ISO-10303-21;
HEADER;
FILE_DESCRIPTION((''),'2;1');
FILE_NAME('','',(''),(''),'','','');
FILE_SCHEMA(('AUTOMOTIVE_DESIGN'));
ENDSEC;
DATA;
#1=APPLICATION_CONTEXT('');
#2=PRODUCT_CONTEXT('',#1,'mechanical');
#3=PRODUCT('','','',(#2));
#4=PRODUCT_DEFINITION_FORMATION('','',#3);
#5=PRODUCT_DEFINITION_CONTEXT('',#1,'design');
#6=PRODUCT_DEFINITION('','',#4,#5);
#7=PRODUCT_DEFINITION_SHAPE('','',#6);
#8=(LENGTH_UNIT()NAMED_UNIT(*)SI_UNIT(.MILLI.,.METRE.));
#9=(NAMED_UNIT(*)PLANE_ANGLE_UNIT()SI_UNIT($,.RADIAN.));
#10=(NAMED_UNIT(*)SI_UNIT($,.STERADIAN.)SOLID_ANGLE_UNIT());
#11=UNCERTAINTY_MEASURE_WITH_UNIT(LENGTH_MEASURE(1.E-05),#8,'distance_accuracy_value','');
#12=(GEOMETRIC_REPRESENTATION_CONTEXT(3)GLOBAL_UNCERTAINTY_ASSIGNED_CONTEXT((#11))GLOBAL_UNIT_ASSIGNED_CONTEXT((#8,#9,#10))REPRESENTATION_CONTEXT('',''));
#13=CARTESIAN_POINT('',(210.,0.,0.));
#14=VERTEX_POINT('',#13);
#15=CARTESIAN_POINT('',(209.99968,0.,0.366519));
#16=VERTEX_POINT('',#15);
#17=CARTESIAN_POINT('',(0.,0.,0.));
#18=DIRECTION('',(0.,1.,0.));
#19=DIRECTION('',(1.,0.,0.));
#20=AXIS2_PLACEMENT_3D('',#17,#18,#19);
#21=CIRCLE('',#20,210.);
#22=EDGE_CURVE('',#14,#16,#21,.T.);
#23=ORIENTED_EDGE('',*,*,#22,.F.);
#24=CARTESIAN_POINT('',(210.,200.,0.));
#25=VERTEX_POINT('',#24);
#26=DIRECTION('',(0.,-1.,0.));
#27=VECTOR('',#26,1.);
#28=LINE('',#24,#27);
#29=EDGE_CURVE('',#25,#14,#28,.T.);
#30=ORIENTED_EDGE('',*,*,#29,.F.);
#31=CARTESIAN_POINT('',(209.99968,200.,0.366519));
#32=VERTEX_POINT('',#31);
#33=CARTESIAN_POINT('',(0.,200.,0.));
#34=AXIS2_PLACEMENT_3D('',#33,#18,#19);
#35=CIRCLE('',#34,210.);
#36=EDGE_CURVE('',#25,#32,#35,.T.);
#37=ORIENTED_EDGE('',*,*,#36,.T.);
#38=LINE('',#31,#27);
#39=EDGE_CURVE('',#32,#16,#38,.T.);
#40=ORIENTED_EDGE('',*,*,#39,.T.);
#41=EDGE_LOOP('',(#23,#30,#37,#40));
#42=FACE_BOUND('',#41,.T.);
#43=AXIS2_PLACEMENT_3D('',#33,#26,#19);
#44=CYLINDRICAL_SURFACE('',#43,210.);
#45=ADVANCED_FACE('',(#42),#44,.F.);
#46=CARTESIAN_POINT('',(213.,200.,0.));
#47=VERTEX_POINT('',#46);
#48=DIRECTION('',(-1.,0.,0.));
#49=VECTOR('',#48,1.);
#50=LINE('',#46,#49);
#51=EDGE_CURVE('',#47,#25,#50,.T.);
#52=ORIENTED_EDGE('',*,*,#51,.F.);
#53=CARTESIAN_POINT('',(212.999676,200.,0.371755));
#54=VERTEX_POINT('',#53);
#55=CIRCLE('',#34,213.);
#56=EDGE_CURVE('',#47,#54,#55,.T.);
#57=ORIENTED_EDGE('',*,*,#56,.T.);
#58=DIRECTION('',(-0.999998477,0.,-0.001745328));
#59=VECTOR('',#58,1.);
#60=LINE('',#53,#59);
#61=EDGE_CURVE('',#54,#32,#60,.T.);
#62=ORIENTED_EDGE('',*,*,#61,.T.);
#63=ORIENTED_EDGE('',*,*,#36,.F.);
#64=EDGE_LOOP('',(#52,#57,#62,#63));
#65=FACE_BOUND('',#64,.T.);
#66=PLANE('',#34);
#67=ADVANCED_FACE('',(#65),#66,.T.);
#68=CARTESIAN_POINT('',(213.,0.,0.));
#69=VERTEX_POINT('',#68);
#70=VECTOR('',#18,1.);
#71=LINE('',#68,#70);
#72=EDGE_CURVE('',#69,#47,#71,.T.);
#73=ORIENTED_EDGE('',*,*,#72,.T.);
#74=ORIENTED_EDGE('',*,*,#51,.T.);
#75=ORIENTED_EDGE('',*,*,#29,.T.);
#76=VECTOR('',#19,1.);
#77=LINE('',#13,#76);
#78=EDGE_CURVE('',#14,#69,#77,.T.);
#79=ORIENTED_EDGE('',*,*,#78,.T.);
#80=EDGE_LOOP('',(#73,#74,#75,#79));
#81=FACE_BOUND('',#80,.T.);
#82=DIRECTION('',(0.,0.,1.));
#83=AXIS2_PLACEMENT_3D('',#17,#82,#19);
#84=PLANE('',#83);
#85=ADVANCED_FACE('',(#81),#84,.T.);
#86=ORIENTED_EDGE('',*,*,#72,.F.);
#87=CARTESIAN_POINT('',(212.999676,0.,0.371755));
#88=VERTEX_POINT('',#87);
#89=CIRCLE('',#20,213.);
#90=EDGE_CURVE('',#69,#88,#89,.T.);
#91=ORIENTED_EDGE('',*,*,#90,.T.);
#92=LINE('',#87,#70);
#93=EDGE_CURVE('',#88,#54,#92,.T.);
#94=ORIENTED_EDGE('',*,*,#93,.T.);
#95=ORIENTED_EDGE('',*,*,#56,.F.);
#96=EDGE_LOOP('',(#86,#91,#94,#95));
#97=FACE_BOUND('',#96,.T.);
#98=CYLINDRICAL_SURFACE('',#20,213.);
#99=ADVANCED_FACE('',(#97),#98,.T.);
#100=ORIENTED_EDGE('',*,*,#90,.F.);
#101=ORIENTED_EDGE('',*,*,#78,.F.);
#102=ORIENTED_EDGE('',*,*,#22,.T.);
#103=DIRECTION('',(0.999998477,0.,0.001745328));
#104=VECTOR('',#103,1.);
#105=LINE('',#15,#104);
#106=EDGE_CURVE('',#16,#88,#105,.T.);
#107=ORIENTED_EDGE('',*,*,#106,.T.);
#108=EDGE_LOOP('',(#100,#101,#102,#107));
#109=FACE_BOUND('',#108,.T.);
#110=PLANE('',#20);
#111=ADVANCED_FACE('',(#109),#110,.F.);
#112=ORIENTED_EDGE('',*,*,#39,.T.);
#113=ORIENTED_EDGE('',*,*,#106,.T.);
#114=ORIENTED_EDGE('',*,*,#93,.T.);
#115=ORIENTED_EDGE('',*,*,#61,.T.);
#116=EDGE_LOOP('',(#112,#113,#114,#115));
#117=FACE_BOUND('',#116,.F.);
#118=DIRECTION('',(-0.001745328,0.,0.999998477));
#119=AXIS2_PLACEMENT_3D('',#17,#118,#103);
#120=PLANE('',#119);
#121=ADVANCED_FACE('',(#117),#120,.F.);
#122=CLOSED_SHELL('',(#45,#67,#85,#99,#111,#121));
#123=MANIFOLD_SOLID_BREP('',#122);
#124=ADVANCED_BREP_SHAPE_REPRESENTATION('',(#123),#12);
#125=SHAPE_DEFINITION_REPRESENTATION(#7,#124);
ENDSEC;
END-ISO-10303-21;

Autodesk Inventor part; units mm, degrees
ref_plane "YZ Plane" through (0, 0, 0) normal (1, 0, 0) x (0, 1, 0)
ref_plane "XZ Plane" through (0, 0, 0) normal (0, 1, 0) x (-1, 0, 0)
ref_plane "XY Plane" through (0, 0, 0) normal (0, 0, 1) x (1, 0, 0)
sketch "Sketch1" plane through (0, 0, 0) normal (0, 0, 1) x (1, 0, 0)
  line L0 (0, 0) -> (0, 204.8418)
  line L1 (210, 0) -> (213, 0)
  line L2 (213, 0) -> (213, 200)
  line L3 (213, 200) -> (210, 200)
  line L4 (210, 200) -> (210, 0)
  dimension "d0" = 3
  dimension "d1" = 200
  dimension "d2" = 426
revolve "Revolution1" add sketch "Sketch1" angle 359.9 about axis through (0, 0, 0) along (0, 1, 0)
equation "\"BendRadius\" = Thickness"
equation "\"BendReliefWidth\" = Thickness"
equation "\"BendReliefDepth\" = 0.5 * Thickness"
equation "\"CornerReliefSize\" = 4 * Thickness"
equation "\"MinimumRemnant\" = 2 * Thickness"
equation "\"TransitionRadius\" = BendRadius"
equation "\"JacobiRadiusSize\" = BendRadius"
equation "\"GapSize\" = Thickness"
equation "\"Thickness\" = 3"
properties part number "GBK-RK-0034 tube segmeng 4"
